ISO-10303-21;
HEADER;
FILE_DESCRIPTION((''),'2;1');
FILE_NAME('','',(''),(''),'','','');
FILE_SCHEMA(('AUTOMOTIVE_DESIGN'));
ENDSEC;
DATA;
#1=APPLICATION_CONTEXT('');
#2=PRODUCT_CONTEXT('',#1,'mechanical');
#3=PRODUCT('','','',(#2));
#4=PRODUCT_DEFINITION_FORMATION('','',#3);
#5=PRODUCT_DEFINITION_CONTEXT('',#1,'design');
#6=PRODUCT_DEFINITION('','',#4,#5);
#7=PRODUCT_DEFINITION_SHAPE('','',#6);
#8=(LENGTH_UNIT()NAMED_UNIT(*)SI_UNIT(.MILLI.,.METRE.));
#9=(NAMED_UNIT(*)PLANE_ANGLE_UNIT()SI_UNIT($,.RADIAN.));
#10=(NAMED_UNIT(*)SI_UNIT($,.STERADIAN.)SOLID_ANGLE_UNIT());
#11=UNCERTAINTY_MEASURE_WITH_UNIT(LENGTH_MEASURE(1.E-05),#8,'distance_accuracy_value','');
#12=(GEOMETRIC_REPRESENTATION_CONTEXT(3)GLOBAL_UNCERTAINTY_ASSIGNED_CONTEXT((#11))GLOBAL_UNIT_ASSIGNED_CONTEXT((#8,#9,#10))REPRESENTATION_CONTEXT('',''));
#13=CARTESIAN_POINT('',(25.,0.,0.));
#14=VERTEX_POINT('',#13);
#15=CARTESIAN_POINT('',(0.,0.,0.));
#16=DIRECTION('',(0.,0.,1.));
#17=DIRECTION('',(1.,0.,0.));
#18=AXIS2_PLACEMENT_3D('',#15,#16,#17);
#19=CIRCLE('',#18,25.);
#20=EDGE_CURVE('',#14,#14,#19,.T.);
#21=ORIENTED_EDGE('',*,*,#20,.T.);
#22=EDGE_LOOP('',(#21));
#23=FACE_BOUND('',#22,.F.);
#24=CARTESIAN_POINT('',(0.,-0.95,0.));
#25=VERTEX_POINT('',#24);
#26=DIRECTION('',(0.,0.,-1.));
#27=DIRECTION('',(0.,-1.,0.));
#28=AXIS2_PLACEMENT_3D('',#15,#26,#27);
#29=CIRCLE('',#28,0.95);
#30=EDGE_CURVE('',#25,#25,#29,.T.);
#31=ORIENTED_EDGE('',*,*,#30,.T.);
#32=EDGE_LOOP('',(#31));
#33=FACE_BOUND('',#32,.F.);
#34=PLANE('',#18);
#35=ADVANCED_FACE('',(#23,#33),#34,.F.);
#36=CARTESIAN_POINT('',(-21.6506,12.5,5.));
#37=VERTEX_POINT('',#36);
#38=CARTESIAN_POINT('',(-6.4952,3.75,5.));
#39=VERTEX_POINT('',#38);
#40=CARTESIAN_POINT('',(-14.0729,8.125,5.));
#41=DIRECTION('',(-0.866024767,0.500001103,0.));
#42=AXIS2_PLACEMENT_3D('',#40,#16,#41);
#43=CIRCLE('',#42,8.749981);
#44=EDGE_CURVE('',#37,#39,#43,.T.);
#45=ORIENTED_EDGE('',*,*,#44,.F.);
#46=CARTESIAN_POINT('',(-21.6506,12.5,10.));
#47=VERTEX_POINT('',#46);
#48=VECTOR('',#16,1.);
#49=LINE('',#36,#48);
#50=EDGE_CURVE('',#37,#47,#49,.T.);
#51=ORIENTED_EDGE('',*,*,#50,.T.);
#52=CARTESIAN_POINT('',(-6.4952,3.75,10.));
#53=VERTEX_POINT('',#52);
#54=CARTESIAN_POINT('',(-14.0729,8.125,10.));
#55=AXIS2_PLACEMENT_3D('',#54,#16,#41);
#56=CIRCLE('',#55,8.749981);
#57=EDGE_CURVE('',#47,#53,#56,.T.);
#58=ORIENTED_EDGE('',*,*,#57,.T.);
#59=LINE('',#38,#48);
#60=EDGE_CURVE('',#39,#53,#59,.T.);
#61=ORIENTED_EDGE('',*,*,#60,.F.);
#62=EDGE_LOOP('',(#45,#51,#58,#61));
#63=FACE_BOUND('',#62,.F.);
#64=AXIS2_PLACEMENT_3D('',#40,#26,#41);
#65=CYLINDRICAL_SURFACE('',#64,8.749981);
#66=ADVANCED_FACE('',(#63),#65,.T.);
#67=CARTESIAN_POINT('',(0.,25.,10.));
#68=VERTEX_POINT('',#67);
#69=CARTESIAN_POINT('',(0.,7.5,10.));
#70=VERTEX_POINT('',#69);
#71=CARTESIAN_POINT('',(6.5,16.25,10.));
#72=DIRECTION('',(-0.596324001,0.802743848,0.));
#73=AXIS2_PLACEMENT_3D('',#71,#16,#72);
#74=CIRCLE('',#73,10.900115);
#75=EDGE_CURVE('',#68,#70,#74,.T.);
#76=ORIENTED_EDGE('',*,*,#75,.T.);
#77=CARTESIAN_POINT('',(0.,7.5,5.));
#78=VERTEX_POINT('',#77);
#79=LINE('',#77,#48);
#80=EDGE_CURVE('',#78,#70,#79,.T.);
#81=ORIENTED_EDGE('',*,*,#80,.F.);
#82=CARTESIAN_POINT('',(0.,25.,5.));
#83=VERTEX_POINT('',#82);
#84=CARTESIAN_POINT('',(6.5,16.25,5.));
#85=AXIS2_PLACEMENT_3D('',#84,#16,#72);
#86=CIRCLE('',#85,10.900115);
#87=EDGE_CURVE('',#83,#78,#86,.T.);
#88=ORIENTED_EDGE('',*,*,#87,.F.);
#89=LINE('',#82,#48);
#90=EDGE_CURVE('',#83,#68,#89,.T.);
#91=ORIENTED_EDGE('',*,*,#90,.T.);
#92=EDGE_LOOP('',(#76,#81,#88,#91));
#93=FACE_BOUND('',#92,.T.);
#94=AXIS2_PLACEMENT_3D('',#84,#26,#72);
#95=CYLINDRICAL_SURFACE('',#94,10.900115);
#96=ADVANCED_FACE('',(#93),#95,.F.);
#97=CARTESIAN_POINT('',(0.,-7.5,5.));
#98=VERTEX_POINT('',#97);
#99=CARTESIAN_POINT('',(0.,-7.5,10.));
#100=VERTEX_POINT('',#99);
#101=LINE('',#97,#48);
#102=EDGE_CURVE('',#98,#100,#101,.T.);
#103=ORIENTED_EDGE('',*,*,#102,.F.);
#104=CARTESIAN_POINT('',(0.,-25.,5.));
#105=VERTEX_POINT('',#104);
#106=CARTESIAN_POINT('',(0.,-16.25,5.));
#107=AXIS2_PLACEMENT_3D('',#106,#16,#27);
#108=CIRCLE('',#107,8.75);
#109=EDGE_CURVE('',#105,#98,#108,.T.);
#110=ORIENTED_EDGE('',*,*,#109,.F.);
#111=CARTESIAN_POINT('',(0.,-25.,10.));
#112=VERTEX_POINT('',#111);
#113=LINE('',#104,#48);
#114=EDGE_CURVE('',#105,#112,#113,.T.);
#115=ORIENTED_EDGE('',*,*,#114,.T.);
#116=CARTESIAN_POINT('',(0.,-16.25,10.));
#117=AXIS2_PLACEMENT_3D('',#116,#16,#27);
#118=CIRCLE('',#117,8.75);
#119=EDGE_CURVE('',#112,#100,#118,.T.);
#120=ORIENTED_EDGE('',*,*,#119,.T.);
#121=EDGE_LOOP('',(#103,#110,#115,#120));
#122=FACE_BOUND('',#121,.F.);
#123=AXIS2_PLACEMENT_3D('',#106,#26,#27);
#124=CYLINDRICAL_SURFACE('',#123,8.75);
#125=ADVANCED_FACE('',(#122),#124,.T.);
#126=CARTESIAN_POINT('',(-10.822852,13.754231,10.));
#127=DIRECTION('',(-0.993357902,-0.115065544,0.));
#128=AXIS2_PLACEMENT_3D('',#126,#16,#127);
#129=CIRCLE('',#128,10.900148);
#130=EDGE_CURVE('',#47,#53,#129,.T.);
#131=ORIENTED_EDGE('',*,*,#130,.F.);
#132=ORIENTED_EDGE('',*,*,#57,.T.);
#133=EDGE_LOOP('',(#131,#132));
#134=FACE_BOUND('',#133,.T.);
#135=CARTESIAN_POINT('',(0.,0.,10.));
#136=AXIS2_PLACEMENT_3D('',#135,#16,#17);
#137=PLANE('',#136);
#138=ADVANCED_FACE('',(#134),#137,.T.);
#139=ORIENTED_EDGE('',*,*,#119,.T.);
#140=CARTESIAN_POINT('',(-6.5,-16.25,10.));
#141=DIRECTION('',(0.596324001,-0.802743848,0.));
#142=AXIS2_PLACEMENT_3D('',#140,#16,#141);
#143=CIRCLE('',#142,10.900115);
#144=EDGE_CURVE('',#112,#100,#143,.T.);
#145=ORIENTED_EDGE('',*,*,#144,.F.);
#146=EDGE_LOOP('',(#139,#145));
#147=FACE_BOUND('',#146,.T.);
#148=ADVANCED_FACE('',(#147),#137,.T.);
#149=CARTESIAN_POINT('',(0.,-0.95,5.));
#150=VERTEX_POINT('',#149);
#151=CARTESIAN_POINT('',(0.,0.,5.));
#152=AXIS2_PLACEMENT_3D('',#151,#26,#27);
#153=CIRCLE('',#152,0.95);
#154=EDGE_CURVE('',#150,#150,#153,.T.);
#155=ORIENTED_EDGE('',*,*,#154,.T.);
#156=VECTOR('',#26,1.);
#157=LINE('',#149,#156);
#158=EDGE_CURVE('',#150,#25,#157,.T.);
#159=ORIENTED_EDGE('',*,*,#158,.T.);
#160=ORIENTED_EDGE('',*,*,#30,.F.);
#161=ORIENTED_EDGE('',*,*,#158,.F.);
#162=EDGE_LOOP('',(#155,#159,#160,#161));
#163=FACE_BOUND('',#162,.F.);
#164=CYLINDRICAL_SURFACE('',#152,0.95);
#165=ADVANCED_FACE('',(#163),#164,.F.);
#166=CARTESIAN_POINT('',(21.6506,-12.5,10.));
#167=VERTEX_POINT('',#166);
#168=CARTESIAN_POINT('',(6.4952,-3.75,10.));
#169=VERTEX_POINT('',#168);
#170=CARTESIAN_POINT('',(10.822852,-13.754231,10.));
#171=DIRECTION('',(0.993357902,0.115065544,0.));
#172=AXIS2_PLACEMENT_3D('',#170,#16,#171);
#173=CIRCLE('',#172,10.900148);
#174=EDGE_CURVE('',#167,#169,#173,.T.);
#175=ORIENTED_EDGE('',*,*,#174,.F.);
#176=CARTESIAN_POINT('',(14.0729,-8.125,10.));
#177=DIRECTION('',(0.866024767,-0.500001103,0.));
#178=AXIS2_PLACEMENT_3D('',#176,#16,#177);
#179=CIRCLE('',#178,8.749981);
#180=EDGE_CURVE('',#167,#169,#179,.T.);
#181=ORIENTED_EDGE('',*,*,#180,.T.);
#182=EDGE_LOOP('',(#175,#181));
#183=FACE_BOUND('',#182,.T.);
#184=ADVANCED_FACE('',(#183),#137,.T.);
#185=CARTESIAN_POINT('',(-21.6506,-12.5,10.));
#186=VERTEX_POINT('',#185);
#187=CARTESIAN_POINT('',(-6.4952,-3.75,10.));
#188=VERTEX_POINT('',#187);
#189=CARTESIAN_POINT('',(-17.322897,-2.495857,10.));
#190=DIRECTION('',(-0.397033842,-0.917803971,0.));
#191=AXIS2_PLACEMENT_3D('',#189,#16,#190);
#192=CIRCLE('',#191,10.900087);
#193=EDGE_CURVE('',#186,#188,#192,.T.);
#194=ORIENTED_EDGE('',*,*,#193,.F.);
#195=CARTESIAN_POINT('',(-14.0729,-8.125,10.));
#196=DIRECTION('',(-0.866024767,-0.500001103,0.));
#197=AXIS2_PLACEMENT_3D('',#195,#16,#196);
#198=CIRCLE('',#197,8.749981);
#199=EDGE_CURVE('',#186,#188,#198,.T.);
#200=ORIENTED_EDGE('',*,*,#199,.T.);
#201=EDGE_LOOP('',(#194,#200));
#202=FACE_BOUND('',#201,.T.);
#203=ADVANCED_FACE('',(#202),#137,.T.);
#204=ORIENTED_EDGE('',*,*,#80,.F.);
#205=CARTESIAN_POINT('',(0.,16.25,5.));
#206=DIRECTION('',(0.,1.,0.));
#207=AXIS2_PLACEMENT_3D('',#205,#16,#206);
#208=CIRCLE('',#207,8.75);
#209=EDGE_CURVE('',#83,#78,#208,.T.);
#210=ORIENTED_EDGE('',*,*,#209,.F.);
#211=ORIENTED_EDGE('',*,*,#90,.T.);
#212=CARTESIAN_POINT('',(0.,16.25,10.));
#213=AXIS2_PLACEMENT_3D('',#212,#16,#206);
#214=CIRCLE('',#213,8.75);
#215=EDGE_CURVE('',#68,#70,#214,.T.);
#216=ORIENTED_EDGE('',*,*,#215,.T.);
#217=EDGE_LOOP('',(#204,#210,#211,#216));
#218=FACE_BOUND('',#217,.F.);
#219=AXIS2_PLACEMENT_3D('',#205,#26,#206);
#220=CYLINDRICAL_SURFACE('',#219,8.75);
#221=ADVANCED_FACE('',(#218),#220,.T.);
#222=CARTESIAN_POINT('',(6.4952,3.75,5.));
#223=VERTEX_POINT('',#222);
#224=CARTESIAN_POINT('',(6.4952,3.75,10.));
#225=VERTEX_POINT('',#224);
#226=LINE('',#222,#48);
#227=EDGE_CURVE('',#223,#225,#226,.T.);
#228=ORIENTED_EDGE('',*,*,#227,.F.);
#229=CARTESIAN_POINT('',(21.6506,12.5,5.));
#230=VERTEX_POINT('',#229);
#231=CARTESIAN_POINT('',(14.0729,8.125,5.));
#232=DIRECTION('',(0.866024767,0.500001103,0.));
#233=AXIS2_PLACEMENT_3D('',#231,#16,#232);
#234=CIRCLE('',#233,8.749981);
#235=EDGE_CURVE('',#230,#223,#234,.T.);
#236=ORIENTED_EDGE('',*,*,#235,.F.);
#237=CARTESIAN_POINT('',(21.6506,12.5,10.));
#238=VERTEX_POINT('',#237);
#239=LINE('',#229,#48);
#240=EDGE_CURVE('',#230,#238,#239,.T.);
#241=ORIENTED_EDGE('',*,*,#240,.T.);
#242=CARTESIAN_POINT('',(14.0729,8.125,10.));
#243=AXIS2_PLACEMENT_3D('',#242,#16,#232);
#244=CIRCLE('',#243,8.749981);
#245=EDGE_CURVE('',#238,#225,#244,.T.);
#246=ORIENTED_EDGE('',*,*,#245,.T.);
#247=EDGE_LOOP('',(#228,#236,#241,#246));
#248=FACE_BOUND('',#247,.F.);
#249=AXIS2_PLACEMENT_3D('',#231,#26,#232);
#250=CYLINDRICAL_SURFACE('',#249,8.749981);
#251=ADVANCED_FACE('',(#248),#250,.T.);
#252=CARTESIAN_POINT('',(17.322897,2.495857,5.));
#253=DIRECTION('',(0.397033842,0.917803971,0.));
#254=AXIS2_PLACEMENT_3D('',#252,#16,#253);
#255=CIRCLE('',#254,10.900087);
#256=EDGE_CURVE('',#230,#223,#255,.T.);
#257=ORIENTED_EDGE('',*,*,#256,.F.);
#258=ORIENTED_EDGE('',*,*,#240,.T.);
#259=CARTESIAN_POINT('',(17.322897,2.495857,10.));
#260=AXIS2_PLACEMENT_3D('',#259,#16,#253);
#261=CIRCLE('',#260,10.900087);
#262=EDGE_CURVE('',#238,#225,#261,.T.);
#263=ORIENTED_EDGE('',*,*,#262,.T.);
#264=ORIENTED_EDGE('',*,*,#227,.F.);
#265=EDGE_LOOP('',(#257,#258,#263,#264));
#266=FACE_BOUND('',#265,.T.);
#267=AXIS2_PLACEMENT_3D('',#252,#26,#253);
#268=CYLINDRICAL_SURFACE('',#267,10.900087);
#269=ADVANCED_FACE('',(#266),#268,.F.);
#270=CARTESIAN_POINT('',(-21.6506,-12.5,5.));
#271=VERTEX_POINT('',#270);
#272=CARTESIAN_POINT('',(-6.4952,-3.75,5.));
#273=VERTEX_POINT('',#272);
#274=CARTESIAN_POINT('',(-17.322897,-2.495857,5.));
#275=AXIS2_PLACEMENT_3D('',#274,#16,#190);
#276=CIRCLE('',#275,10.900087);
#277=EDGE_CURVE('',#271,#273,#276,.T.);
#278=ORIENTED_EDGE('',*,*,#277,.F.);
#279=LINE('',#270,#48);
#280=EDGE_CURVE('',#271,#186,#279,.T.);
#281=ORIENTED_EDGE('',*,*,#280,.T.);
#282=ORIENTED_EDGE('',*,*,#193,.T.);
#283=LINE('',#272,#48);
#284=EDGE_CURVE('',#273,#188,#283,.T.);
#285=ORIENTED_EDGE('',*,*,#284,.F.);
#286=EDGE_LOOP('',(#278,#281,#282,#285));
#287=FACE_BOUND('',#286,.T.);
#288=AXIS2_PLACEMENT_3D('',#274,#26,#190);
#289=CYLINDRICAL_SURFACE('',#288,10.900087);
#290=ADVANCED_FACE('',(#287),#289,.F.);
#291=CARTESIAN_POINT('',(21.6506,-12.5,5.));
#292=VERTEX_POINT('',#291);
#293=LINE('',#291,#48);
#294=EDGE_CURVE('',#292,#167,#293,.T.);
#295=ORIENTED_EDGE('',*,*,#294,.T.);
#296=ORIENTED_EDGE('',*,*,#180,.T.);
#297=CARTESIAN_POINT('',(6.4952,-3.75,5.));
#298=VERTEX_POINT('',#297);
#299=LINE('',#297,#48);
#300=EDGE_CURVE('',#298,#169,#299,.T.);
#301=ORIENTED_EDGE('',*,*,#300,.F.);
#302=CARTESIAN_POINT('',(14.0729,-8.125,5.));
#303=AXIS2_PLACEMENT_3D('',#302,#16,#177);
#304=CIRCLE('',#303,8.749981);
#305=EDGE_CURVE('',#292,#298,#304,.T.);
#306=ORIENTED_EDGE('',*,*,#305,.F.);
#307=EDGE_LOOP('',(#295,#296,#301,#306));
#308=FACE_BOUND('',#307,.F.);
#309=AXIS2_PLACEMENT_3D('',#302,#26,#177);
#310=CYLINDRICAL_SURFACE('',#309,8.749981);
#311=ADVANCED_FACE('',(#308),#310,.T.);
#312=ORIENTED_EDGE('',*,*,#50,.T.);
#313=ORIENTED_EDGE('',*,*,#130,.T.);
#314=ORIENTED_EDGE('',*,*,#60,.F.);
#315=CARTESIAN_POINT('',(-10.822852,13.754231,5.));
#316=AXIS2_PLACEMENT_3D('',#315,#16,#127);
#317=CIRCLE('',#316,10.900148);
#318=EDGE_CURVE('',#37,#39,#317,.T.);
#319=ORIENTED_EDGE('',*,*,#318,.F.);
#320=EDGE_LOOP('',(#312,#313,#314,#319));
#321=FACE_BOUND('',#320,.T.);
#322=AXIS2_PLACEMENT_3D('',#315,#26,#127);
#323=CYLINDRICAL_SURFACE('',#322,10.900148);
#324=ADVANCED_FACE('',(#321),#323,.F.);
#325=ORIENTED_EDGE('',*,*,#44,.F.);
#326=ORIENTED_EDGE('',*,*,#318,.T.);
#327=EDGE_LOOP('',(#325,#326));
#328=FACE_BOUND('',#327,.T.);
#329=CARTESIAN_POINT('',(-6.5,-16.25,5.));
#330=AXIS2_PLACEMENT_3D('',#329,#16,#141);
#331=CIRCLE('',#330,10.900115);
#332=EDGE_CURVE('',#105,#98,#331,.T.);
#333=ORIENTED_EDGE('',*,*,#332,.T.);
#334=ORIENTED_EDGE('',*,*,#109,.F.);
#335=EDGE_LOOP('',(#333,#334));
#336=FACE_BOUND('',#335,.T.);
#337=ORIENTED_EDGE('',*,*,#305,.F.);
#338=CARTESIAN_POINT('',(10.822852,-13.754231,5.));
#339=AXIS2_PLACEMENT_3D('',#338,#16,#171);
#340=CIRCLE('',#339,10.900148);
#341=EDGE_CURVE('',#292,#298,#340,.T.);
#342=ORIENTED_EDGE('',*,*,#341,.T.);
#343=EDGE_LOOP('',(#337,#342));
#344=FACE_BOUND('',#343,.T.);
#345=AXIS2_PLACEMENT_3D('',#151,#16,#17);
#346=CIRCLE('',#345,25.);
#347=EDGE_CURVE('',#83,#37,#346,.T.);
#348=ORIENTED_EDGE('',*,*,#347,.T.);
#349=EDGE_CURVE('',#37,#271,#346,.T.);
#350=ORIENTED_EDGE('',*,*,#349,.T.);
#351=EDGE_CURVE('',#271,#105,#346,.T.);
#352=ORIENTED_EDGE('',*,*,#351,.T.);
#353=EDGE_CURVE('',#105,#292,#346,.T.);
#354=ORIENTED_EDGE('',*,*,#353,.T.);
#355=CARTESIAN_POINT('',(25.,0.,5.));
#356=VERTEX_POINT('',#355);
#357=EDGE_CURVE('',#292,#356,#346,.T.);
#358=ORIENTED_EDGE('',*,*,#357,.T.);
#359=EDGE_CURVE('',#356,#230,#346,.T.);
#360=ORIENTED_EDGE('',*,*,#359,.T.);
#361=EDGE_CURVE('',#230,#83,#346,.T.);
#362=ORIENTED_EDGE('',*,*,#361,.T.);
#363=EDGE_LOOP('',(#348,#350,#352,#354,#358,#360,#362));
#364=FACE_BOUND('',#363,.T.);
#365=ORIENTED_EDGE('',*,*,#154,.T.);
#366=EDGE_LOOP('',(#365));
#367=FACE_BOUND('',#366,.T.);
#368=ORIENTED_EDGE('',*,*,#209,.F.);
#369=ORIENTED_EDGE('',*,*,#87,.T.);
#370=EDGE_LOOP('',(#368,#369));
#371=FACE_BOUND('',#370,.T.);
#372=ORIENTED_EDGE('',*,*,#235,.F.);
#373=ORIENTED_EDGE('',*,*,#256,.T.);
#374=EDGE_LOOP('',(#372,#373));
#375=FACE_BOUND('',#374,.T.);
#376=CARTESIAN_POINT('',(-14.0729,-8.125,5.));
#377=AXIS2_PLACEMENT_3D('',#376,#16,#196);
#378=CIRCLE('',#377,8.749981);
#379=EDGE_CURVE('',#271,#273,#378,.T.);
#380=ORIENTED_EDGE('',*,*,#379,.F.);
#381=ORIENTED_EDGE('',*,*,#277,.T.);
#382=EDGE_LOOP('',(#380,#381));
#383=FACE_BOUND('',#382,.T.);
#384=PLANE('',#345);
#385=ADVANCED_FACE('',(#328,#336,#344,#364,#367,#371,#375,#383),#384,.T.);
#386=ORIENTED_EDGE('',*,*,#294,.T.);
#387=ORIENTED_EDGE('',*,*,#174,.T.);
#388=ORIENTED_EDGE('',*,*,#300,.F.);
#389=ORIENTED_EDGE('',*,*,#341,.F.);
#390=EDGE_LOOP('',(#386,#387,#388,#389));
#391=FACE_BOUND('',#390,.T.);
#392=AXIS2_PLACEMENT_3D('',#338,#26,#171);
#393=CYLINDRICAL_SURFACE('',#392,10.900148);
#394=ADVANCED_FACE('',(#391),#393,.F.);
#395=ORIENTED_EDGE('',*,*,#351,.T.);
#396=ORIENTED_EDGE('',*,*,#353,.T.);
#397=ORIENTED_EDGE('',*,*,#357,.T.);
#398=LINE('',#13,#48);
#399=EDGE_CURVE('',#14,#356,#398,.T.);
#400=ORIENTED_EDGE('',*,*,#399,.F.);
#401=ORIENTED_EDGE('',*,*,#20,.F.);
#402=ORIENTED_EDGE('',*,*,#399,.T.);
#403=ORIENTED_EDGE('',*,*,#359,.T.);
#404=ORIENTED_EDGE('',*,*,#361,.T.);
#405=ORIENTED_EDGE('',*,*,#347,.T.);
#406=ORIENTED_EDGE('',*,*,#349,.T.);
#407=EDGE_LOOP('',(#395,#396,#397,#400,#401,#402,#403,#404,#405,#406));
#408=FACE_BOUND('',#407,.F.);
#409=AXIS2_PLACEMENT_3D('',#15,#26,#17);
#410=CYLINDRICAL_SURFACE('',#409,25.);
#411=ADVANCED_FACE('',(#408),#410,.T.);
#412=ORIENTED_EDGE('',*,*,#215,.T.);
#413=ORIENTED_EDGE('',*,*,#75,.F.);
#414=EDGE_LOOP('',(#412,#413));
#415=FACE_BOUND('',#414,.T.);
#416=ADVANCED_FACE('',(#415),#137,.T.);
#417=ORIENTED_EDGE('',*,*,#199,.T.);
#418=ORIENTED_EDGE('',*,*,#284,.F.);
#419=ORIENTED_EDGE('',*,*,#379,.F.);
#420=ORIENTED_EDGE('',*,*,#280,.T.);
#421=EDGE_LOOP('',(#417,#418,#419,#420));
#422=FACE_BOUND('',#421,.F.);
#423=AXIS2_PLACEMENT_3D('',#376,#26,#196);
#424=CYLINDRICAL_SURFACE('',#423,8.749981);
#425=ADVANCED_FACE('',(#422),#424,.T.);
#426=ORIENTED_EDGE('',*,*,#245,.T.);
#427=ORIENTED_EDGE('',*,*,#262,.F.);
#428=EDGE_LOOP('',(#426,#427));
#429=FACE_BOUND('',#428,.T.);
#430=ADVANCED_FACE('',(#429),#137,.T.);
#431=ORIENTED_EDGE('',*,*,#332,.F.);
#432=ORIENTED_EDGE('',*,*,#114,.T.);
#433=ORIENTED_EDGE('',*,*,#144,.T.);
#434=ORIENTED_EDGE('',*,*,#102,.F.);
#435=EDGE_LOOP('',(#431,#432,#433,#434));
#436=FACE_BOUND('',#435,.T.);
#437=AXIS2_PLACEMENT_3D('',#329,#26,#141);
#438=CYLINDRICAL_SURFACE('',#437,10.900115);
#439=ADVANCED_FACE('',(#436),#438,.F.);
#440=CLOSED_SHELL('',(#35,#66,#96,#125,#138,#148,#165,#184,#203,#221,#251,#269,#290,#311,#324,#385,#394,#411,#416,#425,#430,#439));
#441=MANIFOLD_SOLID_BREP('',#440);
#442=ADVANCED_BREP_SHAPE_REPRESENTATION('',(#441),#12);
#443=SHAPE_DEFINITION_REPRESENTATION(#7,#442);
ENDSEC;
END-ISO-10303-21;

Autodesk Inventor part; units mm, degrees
ref_plane "YZ Plane" through (0, 0, 0) normal (1, 0, 0) x (0, 1, 0)
ref_plane "XZ Plane" through (0, 0, 0) normal (0, 1, 0) x (-1, 0, 0)
ref_plane "XY Plane" through (0, 0, 0) normal (0, 0, 1) x (1, 0, 0)
sketch "スケッチ1" plane through (0, 0, 0) normal (0, 0, 1) x (1, 0, 0)
  circle A0 centre (0, 0) radius 25
  dimension "d0" = 50
extrude "押し出し1" add sketch "スケッチ1" along normal blind 5
sketch "スケッチ2" plane through (0, 0, 5) normal (0, 0, 1) x (1, 0, 0)
  circle A0 centre (0, 0) radius 7.5
  circle A1 centre (0, 0) radius 25 projected
  arc A2 (0, 25) -> (0, 7.5) centre (0, 16.25) ccw
  arc A3 (0, 25) -> (0, 7.5) centre (6.5, 16.25) ccw
  arc A4 (-21.6506, 12.5) -> (-6.4952, 3.75) centre (-14.0729, 8.125) ccw
  arc A5 (-21.6506, 12.5) -> (-6.4952, 3.75) centre (-10.8229, 13.7542) ccw
  arc A6 (-21.6506, -12.5) -> (-6.4952, -3.75) centre (-14.0729, -8.125) ccw
  arc A7 (-21.6506, -12.5) -> (-6.4952, -3.75) centre (-17.3229, -2.4958) ccw
  arc A8 (0, -25) -> (0, -7.5) centre (0, -16.25) ccw
  arc A9 (0, -25) -> (0, -7.5) centre (-6.5, -16.25) ccw
  arc A10 (21.6506, -12.5) -> (6.4952, -3.75) centre (14.0729, -8.125) ccw
  arc A11 (21.6506, -12.5) -> (6.4952, -3.75) centre (10.8229, -13.7542) ccw
  arc A12 (21.6506, 12.5) -> (6.4952, 3.75) centre (14.0729, 8.125) ccw
  arc A13 (21.6506, 12.5) -> (6.4952, 3.75) centre (17.3229, 2.4958) ccw
  dimension "d3" = 15
  dimension "d4" = 6.5
  dimension "d7" = 360
extrude "押し出し2" add sketch "スケッチ2" along normal blind 5 contours A12 A13 | A10 A11 | A2 A3 | A8 A9 | A4 A5 | A6 A7
sketch "スケッチ3" plane through (0, 0, 5) normal (0, 0, 1) x (1, 0, 0)
  point P0 (0, 0)
  point P1 (0, 0)
hole "穴1" at (0, 0, 5) direction (0, 0, -1) diameter 1.9 depth 6 tip angle 118
properties part number "20220628_fan"
